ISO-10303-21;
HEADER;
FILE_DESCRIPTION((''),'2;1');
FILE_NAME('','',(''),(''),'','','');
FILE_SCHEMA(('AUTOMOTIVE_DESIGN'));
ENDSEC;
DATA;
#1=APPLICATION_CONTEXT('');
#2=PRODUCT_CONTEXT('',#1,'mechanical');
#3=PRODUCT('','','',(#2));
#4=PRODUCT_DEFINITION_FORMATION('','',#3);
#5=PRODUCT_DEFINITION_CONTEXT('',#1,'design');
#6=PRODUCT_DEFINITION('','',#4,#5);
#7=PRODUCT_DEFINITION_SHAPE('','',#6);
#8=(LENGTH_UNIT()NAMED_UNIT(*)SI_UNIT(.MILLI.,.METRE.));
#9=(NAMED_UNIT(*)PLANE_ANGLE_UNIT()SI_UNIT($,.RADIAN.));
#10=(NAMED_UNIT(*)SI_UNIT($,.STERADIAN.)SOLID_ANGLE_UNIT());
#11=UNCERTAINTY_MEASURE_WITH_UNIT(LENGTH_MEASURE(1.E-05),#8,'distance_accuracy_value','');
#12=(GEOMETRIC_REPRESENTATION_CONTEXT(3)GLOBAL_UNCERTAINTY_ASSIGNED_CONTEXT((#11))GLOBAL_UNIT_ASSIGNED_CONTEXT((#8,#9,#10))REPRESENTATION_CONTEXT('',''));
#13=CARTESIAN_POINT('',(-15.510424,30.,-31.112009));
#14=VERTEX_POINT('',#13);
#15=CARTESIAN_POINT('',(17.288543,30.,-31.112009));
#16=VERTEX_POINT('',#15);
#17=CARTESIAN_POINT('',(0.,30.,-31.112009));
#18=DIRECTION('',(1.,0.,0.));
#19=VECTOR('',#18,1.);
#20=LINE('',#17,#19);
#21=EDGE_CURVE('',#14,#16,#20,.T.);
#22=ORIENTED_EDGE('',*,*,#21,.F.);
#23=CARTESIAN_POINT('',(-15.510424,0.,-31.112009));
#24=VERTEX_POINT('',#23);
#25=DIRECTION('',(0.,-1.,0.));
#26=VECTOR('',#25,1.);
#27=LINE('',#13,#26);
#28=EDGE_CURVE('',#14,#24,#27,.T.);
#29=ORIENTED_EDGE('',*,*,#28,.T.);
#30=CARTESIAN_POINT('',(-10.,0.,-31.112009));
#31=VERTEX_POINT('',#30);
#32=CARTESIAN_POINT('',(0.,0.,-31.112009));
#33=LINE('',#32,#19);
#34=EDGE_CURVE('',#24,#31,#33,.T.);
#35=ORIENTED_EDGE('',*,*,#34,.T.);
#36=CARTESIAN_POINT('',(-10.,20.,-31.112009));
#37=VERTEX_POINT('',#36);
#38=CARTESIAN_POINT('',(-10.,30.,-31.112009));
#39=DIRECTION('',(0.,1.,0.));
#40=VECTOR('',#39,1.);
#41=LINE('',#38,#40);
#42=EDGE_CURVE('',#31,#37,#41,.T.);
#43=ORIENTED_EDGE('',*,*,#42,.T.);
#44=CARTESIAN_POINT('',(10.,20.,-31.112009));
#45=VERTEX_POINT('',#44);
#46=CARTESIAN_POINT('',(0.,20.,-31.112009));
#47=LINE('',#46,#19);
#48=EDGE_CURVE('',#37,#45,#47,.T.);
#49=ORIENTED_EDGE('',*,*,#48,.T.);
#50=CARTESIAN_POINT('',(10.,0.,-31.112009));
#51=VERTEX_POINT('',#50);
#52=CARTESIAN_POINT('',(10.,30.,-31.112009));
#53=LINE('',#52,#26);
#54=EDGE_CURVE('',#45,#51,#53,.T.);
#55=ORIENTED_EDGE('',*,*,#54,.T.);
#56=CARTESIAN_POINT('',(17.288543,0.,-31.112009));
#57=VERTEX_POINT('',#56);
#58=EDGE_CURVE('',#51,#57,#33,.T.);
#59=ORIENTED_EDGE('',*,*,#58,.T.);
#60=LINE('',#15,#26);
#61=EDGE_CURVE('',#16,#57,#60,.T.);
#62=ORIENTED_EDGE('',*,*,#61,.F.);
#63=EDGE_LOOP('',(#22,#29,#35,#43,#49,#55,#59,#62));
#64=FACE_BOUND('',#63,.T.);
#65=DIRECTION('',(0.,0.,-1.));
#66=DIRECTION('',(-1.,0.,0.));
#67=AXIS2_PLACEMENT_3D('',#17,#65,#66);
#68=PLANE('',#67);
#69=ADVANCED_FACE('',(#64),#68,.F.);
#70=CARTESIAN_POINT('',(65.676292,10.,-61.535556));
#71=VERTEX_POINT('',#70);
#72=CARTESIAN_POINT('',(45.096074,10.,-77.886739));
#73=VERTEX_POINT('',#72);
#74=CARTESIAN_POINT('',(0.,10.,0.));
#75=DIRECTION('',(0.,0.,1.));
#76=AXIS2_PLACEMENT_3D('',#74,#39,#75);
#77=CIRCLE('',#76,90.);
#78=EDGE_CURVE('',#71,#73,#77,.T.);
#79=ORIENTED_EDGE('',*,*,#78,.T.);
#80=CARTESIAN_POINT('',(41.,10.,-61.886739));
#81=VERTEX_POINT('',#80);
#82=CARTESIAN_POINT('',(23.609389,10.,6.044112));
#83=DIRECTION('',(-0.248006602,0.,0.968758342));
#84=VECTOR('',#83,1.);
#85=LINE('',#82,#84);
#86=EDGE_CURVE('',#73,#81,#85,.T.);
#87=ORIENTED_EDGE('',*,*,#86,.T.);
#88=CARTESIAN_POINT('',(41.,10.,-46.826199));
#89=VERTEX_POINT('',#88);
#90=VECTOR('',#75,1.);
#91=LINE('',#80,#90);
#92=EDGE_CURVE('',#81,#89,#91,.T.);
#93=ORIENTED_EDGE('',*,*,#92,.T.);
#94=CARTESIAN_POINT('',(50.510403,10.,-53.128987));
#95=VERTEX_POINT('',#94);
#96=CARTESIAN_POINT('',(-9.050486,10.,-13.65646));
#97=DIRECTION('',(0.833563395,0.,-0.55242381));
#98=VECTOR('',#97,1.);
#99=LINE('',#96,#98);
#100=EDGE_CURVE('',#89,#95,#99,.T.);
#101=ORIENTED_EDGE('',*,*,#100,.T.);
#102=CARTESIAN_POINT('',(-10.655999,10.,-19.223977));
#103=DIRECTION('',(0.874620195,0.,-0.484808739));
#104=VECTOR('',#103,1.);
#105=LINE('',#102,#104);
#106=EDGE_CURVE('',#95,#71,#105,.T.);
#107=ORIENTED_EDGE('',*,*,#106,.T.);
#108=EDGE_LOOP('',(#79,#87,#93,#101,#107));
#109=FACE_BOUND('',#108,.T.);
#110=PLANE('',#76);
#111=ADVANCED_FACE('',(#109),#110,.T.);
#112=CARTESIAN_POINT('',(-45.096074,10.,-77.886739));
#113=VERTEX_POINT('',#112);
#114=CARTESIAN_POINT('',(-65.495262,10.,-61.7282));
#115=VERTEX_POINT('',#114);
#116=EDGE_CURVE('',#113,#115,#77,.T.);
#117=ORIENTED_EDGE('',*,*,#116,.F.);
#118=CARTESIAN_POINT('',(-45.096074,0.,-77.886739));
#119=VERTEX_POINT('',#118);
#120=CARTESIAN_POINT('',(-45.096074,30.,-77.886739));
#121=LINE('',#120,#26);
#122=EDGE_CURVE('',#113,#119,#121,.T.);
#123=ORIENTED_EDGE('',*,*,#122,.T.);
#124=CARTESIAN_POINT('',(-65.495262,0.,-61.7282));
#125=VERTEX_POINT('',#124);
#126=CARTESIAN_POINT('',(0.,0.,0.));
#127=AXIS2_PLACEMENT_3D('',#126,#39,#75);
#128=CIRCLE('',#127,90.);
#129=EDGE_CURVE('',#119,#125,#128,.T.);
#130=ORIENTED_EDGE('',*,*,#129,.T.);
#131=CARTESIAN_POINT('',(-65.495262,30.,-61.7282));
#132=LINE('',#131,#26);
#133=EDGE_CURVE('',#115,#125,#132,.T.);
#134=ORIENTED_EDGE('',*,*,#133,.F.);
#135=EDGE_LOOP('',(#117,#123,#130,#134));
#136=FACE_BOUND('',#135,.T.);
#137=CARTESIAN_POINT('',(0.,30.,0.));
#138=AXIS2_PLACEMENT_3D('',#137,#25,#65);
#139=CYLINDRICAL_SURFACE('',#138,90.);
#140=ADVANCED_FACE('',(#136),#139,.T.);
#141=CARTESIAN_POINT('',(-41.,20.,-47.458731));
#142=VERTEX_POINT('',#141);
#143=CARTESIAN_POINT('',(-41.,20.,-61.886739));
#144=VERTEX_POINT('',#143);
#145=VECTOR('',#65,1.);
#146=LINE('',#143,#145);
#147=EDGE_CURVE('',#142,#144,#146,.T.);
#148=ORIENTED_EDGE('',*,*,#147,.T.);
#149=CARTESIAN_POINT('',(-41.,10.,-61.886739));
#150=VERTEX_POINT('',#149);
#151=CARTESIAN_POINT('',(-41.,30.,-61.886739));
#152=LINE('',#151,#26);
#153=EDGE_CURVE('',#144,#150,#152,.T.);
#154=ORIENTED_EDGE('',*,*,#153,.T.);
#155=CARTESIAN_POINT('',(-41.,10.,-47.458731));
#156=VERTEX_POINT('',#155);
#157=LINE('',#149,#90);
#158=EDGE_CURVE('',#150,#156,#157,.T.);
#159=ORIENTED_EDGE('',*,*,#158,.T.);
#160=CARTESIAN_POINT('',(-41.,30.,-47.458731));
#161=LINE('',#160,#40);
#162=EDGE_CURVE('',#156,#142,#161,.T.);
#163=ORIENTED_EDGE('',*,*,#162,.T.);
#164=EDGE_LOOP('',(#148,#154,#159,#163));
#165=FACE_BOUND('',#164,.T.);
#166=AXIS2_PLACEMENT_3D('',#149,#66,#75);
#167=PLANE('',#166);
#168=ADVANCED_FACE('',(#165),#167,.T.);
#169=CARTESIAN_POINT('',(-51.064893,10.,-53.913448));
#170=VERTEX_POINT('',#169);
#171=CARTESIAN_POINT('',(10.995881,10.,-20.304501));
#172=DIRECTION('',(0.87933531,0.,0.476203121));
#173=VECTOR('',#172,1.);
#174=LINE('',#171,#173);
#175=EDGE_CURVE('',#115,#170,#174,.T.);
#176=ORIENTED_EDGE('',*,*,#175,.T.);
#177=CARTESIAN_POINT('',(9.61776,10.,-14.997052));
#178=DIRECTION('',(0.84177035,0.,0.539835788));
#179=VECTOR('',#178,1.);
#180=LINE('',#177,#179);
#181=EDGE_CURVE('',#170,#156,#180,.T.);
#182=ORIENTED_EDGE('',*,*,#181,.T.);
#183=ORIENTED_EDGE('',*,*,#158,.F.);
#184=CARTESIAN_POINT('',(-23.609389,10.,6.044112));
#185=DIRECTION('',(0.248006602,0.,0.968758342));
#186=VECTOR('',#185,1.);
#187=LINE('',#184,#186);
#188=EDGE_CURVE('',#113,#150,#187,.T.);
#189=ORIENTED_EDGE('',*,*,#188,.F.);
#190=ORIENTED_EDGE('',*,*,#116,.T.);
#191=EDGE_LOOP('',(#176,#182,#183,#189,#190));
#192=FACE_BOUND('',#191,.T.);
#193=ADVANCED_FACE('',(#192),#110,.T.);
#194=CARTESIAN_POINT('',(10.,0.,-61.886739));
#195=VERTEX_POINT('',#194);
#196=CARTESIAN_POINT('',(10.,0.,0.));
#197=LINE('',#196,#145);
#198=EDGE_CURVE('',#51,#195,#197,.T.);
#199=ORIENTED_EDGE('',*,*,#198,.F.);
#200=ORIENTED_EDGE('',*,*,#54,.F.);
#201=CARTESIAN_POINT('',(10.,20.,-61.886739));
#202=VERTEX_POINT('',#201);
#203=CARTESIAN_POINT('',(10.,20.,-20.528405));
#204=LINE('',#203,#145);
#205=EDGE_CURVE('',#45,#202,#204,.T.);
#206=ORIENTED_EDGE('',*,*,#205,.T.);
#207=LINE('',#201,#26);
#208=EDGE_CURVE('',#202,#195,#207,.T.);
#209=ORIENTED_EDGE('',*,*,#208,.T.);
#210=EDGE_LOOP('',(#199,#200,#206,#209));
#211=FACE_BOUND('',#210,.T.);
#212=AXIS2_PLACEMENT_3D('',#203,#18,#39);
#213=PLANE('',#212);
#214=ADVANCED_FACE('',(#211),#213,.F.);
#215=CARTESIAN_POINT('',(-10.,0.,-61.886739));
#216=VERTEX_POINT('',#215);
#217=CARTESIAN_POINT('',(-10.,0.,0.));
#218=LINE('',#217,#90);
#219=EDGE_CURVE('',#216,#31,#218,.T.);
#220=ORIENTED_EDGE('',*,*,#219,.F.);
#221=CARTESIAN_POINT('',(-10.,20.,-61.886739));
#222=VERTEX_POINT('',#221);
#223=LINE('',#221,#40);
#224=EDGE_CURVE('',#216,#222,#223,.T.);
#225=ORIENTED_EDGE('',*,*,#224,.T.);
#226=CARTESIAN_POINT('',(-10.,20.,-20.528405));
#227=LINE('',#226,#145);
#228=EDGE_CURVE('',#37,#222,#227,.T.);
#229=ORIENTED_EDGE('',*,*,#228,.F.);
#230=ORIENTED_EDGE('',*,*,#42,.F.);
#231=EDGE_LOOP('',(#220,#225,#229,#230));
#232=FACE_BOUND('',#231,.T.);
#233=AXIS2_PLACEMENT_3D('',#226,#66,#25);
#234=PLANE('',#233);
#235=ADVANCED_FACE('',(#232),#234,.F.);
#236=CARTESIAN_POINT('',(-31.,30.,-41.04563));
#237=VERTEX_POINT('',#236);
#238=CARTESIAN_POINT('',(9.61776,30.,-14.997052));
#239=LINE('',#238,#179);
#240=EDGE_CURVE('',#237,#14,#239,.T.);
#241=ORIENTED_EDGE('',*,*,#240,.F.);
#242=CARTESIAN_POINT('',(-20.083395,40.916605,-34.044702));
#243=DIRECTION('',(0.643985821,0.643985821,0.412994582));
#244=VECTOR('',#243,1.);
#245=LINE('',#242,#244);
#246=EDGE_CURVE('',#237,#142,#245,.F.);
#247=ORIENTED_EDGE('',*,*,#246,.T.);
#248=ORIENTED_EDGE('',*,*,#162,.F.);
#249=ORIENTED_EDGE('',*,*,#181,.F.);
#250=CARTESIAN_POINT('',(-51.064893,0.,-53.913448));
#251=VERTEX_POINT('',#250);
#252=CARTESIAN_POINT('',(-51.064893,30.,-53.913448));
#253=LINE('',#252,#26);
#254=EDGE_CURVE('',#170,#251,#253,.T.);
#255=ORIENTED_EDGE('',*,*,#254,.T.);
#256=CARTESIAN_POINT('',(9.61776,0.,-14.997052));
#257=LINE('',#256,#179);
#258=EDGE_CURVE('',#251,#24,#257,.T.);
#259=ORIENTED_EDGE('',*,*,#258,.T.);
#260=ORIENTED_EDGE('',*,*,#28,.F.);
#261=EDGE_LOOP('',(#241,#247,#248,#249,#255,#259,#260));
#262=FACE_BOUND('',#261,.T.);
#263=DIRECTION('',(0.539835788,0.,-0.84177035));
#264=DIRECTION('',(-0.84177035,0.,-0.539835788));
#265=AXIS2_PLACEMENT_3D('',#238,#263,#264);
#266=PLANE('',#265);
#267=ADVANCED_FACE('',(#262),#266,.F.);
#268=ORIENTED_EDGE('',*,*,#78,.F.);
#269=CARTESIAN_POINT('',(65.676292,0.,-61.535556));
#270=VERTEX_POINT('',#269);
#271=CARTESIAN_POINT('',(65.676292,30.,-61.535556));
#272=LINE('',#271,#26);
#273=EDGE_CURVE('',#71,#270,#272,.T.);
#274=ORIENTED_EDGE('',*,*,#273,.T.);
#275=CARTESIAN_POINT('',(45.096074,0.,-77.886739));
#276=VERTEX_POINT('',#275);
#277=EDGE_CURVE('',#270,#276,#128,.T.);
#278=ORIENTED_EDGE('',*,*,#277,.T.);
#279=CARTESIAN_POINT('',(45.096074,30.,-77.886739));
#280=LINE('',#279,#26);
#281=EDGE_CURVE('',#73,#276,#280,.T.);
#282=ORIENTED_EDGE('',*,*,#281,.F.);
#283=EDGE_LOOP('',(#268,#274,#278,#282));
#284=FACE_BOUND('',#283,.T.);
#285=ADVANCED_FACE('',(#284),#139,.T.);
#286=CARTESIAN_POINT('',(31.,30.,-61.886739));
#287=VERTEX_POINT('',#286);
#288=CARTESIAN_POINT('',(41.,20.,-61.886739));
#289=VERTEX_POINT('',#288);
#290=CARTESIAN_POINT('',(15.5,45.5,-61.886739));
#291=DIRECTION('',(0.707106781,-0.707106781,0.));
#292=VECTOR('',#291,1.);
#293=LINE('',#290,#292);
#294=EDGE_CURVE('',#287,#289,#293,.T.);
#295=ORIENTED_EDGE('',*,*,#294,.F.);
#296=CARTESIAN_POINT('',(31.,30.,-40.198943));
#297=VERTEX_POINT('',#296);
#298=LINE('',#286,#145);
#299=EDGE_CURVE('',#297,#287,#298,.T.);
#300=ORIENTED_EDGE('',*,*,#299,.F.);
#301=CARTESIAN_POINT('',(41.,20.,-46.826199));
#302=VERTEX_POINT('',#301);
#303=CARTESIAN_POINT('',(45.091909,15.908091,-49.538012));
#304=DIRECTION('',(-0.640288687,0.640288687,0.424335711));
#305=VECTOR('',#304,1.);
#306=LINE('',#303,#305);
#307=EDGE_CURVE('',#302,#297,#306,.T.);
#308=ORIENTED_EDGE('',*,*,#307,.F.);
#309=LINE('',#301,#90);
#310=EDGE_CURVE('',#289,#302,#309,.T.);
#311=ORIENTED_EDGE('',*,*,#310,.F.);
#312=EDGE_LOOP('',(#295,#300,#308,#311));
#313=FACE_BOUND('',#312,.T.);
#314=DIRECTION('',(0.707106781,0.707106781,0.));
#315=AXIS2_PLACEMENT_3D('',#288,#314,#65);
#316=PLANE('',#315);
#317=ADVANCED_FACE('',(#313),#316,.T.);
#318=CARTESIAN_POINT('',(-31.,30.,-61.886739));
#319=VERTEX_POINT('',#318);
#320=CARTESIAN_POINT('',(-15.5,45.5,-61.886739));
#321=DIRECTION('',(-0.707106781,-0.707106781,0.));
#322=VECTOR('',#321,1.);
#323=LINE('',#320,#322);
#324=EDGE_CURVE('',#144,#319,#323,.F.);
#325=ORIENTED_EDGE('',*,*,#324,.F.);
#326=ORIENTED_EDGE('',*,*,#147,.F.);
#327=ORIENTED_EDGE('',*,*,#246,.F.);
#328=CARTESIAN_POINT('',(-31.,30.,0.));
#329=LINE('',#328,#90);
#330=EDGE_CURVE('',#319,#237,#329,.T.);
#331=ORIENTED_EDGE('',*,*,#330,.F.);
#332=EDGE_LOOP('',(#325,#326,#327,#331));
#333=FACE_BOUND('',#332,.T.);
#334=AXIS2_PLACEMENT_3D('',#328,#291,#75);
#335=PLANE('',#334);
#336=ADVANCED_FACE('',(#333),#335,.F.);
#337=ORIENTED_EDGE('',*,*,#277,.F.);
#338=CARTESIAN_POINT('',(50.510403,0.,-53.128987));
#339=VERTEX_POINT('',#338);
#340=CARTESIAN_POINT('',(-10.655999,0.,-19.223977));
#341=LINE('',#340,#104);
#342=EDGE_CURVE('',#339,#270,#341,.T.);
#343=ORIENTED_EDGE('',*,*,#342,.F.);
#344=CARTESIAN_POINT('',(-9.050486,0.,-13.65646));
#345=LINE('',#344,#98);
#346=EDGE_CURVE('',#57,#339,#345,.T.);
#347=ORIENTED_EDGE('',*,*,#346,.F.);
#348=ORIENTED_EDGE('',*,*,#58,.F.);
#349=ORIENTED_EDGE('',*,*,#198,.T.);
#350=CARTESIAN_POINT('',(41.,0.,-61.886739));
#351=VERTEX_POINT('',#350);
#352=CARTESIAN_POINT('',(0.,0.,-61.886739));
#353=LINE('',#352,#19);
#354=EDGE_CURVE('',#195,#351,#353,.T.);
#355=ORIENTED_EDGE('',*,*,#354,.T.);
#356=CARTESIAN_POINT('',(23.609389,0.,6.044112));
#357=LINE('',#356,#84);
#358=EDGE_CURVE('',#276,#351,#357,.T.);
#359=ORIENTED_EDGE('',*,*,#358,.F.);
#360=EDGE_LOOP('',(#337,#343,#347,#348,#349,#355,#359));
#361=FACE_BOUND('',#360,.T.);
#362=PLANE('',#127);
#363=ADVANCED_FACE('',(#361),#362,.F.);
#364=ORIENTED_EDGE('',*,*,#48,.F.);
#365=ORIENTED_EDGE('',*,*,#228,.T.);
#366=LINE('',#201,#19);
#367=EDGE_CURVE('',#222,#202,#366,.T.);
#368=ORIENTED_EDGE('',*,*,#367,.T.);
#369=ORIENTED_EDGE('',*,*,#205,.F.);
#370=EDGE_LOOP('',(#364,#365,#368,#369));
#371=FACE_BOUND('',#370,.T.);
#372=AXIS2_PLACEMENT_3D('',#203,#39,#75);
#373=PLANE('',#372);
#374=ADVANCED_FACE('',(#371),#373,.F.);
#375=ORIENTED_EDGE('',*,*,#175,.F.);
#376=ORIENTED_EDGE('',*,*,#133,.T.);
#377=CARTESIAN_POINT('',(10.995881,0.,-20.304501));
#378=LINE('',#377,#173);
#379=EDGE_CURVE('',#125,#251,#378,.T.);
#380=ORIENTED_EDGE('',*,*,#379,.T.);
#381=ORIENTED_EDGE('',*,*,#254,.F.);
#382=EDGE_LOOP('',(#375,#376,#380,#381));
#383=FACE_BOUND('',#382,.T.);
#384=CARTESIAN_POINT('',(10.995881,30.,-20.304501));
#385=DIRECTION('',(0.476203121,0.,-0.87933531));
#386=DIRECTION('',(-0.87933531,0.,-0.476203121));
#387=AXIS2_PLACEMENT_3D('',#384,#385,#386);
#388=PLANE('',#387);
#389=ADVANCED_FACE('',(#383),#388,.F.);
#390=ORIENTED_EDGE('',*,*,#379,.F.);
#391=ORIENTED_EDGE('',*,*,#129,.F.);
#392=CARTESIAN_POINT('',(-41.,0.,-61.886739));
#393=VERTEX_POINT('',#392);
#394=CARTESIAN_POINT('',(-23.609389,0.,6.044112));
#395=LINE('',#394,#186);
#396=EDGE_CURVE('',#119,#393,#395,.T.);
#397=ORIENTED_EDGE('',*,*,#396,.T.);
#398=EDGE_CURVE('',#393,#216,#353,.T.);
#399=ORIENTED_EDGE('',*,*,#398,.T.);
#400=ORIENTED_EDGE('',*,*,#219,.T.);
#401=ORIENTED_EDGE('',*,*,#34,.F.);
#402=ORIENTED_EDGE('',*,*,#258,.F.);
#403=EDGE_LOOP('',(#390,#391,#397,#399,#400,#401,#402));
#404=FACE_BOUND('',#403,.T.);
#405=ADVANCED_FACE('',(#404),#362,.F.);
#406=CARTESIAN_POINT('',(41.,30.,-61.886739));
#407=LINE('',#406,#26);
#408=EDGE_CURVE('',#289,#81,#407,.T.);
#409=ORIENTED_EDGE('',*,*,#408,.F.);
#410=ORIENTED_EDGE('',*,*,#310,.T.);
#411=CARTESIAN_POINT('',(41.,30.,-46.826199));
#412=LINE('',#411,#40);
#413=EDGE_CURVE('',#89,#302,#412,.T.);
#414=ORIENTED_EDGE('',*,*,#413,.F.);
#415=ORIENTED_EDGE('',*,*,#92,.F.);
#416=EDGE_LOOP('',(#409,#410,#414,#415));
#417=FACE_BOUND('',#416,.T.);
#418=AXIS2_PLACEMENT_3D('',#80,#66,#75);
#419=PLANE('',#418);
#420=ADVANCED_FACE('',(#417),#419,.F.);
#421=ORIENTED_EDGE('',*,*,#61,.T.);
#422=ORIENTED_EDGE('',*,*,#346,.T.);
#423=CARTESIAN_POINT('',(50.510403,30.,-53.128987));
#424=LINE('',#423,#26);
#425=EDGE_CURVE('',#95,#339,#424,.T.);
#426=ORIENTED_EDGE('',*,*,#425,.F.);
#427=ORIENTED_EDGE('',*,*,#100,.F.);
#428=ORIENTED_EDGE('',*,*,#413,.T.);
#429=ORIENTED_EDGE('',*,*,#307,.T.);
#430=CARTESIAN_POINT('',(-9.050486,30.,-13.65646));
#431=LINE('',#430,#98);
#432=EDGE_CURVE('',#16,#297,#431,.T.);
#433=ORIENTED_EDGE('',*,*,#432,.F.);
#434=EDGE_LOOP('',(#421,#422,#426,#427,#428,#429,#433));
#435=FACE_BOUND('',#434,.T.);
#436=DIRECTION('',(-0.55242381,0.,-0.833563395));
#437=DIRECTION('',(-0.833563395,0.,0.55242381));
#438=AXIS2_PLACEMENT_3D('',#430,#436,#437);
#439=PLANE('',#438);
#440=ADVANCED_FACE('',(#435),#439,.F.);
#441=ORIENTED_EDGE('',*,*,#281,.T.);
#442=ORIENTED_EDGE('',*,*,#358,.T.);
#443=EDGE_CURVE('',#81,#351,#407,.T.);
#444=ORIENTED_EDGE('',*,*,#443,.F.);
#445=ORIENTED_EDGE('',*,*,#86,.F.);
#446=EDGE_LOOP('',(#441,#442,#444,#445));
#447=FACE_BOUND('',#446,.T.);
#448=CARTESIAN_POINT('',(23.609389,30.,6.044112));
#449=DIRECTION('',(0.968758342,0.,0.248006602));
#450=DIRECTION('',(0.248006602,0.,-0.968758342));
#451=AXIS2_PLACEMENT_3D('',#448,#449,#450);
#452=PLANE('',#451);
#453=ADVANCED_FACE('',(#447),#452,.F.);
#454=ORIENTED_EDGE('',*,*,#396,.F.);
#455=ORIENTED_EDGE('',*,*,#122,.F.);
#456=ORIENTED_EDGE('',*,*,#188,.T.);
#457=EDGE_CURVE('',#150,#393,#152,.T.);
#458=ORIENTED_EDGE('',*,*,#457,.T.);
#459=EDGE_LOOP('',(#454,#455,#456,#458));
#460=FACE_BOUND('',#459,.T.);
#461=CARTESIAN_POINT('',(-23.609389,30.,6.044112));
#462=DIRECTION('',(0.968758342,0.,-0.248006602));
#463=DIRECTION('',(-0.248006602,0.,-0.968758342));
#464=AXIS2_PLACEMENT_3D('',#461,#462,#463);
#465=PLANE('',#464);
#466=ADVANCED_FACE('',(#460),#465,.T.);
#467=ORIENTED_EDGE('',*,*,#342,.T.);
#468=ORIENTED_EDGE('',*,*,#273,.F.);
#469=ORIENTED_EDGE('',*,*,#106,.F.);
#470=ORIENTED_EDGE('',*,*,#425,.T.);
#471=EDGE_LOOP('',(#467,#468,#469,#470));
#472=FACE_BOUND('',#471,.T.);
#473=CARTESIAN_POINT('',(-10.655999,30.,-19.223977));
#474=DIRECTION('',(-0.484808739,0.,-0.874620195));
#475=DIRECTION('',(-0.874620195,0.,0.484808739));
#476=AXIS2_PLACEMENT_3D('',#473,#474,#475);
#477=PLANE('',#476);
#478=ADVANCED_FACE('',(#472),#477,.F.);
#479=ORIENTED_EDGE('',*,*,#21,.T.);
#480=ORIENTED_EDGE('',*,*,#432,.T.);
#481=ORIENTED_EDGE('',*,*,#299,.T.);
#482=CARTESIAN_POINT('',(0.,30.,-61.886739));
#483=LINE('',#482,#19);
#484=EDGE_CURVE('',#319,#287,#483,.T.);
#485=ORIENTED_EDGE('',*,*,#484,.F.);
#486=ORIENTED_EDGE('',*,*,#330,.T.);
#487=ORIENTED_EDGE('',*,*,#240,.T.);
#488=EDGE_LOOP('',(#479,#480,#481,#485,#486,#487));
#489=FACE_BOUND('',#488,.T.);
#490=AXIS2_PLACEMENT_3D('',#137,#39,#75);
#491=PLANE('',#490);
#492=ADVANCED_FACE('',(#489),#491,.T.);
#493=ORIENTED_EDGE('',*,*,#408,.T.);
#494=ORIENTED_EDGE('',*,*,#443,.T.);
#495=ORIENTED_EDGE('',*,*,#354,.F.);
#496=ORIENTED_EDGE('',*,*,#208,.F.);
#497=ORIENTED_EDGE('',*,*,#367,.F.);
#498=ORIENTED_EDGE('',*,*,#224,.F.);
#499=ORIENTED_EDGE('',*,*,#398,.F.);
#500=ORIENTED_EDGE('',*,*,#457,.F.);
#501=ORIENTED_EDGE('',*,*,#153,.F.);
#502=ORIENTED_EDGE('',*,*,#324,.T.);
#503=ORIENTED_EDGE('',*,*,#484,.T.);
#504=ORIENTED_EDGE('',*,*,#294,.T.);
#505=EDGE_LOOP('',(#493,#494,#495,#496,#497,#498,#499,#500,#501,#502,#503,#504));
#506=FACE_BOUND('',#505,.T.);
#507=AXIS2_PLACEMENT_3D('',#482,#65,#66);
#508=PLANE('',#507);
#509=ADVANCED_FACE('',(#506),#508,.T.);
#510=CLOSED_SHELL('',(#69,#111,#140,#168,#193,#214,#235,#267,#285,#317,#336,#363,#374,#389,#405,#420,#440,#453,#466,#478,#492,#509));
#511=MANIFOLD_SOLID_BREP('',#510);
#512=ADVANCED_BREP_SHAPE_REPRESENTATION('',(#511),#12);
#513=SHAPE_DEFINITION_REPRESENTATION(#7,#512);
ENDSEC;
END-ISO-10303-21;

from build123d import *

# Parameters (mm, degrees)
BOSS_EXTRUDE1_DEPTH = 30
CUT_EXTRUDE1_DEPTH  = 20
CHAMFER1_SIZE       = 10
SKETCH4_W           = 20
SKETCH4_H           = 20
CUT_EXTRUDE2_DEPTH  = 41.358334189


with BuildPart() as part:
    # Sketch1 → Boss-Extrude1 (new body)
    with BuildSketch(Plane(origin=(0, 0, 0), x_dir=(1, 0, 0), z_dir=(0, 1, 0))):
        with BuildLine():
            Line((-65.495262312, 61.728199509), (-51.064892932, 53.913448014))
            Line((-51.064892932, 53.913448014), (-15.510423608, 31.112009379))
            Line((-15.510423608, 31.112009379), (17.288542893, 31.112009379))
            Line((17.288542893, 31.112009379), (50.510402672, 53.128986682))
            Line((50.510402672, 53.128986682), (65.676291813, 61.535556337))
            ThreePointArc((65.676291813, 61.535556337), (55.986333501, 70.466520143), (45.096073772, 77.886739118))
            Line((45.096073772, 77.886739118), (41, 61.886739118))
            Line((41, 61.886739118), (-41, 61.886739118))
            Line((-41, 61.886739118), (-45.096073772, 77.886739118))
            ThreePointArc((-45.096073772, 77.886739118), (-55.882783617, 70.548667565), (-65.495262312, 61.728199509))
        make_face()
    extrude(amount=BOSS_EXTRUDE1_DEPTH)

    # Sketch3 → Cut-Extrude1 (cut)
    with BuildSketch(Plane(origin=(0, 30, 0), x_dir=(1, 0, 0), z_dir=(0, 1, 0))):
        Polygon((41, 61.886739118), (41, 39.992019881), (77.260525415, 39.992019881), (80.602533751, 99.084803638), (39.738886371, 90.425963859), align=None)
    cut_extrude1 = extrude(amount=-CUT_EXTRUDE1_DEPTH, mode=Mode.SUBTRACT)

    # Mirror1: Cut-Extrude1 across plane
    add(cut_extrude1.mirror(Plane(origin=(0, 0, 0), x_dir=(0, 0, 1), z_dir=(1, 0, 0))), mode=Mode.SUBTRACT)

    # Chamfer1
    chamfer1_edges = [part.edges().sort_by_distance(p)[0] for p in [
        (41, 30, -54.356469192),
        (-41, 30, -54.672735052),
    ]]
    chamfer(chamfer1_edges, length=CHAMFER1_SIZE)

    # Sketch4 → Cut-Extrude2 (cut)
    with BuildSketch(Plane(origin=(0, 0, -61.886739118), x_dir=(-1, 0, 0), z_dir=(0, 0, -1))):
        with Locations((0, 10)):
            Rectangle(SKETCH4_W, SKETCH4_H)
    extrude(amount=-CUT_EXTRUDE2_DEPTH, mode=Mode.SUBTRACT)


solid = part.part
